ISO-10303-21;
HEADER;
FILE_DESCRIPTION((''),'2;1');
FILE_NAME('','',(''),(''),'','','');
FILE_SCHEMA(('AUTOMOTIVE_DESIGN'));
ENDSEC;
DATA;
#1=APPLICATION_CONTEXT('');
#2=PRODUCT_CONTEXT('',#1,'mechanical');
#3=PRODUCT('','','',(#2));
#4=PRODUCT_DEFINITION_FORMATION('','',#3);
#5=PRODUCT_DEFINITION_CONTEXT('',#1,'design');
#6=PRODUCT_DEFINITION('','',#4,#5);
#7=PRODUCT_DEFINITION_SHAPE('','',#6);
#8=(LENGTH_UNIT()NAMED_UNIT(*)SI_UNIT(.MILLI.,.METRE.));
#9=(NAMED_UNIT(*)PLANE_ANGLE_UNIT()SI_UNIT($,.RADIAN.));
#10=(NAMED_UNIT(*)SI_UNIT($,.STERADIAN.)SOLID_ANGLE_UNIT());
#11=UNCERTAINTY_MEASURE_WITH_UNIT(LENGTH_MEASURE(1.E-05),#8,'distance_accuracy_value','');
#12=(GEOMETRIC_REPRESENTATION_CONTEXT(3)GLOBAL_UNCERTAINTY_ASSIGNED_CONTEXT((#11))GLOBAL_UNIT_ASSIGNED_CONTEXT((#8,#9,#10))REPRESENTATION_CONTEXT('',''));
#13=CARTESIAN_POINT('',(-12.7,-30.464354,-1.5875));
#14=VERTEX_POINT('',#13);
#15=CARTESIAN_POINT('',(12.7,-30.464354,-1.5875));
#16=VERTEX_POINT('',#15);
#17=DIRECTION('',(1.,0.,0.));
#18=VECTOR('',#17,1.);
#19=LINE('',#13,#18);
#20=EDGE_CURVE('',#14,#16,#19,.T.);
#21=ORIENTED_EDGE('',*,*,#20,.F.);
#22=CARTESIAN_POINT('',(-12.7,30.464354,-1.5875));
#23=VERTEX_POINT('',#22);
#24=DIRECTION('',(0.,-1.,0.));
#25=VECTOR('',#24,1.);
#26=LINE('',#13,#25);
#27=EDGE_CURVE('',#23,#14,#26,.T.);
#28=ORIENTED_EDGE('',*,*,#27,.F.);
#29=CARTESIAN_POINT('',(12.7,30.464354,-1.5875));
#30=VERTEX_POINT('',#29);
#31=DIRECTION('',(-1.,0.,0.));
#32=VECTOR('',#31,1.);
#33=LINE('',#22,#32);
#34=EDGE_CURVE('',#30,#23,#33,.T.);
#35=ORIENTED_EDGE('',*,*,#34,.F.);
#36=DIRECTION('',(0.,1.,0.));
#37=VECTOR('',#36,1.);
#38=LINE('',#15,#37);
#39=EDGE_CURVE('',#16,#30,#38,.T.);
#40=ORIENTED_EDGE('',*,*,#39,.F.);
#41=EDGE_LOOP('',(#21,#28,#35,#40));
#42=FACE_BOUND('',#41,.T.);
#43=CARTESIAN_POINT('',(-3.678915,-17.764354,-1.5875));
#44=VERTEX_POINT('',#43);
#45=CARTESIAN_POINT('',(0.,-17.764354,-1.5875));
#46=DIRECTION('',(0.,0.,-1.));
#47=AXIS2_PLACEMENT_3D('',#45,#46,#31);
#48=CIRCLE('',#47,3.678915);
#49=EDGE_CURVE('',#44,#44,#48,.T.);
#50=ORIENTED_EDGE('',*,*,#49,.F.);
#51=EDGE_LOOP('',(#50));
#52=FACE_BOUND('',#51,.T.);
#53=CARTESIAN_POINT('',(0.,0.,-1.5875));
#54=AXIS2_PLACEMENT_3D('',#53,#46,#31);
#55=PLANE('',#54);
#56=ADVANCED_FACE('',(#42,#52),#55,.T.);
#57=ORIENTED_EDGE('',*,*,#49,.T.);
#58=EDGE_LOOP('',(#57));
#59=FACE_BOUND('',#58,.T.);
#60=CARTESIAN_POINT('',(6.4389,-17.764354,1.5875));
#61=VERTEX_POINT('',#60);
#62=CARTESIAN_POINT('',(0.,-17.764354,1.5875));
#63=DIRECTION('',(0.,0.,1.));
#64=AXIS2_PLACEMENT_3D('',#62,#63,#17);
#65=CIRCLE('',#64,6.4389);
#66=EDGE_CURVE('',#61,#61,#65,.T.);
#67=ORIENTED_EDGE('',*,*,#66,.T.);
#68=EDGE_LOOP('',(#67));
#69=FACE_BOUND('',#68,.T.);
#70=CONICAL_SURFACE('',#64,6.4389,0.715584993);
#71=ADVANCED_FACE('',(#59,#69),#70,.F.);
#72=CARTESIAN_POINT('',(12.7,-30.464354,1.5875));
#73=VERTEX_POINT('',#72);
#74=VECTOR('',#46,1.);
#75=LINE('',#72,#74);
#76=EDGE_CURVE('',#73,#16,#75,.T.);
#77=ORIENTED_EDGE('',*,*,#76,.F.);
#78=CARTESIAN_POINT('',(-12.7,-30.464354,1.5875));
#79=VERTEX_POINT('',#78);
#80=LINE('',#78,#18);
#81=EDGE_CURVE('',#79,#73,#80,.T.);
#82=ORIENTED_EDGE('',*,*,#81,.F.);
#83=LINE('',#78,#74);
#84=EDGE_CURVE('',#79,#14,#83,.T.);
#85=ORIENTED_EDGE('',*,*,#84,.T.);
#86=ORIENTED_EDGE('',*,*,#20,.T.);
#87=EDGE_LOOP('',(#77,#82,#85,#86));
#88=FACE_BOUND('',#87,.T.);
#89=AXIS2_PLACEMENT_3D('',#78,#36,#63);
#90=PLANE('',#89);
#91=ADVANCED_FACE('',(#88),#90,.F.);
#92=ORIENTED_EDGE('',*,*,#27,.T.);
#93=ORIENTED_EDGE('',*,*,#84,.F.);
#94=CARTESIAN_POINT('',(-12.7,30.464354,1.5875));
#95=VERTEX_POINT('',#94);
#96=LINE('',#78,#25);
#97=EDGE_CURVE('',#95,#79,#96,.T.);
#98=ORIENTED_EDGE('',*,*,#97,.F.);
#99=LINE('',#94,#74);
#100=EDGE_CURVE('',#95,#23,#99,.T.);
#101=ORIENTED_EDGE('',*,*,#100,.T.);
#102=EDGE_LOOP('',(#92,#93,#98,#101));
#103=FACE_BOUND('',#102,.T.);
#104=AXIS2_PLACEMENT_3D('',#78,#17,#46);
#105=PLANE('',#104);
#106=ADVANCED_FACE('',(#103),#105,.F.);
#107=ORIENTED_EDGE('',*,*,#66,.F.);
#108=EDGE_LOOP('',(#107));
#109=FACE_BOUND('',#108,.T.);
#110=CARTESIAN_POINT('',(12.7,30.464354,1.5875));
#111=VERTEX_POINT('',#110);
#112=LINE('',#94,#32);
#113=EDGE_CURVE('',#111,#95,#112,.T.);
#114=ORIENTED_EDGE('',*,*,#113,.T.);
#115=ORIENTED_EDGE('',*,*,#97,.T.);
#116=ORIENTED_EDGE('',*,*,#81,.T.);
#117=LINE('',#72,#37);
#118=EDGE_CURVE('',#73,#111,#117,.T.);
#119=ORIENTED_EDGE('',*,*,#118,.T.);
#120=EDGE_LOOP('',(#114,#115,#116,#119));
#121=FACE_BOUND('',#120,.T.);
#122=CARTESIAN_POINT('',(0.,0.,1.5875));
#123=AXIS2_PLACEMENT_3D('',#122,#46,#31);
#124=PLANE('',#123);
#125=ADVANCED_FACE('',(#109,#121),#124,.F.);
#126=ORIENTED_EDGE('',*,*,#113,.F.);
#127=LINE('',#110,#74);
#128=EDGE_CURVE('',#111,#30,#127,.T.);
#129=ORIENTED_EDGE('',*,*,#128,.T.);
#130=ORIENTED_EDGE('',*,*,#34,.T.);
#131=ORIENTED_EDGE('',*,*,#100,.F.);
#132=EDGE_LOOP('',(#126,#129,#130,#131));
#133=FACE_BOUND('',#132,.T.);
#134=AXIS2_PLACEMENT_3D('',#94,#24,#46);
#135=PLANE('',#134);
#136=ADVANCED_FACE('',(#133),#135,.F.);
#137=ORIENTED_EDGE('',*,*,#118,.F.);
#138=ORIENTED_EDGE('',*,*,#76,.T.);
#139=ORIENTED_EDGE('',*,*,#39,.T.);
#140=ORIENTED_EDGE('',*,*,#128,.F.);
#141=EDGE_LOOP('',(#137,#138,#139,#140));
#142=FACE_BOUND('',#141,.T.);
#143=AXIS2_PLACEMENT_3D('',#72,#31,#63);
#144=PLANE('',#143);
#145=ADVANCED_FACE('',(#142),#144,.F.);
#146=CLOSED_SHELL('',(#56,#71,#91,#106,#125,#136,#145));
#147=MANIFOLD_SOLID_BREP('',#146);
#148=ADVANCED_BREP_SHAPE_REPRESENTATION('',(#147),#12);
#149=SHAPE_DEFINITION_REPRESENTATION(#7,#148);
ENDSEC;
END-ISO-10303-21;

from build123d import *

# Parameters (mm, degrees)
SKETCH1_W           = 25.4
SKETCH1_H           = 60.9287072
BOSS_EXTRUDE1_DEPTH = 1.5875


with BuildPart() as part:
    # Sketch1 → Boss-Extrude1 (new, symmetric)
    with BuildSketch(Plane.XY):
        Rectangle(SKETCH1_W, SKETCH1_H)
    extrude(amount=BOSS_EXTRUDE1_DEPTH, both=True)

    # Sketch3 → CSK for 1/4 Flat Head Machine Screw1 (revolve, cut)
    with BuildSketch(Plane(origin=(0, -17.7643536, 1.5875), x_dir=(0, -1, 0), z_dir=(1, 0, 0))):
        Polygon((0, 0), (0, 3.175), (3.3782, 3.175), (3.3782, 3.520932584), (6.4389, 0), align=None)
    revolve(axis=Axis((0, -17.7643536, 7.9375), (0, 0, -1)), mode=Mode.SUBTRACT)


solid = part.part
